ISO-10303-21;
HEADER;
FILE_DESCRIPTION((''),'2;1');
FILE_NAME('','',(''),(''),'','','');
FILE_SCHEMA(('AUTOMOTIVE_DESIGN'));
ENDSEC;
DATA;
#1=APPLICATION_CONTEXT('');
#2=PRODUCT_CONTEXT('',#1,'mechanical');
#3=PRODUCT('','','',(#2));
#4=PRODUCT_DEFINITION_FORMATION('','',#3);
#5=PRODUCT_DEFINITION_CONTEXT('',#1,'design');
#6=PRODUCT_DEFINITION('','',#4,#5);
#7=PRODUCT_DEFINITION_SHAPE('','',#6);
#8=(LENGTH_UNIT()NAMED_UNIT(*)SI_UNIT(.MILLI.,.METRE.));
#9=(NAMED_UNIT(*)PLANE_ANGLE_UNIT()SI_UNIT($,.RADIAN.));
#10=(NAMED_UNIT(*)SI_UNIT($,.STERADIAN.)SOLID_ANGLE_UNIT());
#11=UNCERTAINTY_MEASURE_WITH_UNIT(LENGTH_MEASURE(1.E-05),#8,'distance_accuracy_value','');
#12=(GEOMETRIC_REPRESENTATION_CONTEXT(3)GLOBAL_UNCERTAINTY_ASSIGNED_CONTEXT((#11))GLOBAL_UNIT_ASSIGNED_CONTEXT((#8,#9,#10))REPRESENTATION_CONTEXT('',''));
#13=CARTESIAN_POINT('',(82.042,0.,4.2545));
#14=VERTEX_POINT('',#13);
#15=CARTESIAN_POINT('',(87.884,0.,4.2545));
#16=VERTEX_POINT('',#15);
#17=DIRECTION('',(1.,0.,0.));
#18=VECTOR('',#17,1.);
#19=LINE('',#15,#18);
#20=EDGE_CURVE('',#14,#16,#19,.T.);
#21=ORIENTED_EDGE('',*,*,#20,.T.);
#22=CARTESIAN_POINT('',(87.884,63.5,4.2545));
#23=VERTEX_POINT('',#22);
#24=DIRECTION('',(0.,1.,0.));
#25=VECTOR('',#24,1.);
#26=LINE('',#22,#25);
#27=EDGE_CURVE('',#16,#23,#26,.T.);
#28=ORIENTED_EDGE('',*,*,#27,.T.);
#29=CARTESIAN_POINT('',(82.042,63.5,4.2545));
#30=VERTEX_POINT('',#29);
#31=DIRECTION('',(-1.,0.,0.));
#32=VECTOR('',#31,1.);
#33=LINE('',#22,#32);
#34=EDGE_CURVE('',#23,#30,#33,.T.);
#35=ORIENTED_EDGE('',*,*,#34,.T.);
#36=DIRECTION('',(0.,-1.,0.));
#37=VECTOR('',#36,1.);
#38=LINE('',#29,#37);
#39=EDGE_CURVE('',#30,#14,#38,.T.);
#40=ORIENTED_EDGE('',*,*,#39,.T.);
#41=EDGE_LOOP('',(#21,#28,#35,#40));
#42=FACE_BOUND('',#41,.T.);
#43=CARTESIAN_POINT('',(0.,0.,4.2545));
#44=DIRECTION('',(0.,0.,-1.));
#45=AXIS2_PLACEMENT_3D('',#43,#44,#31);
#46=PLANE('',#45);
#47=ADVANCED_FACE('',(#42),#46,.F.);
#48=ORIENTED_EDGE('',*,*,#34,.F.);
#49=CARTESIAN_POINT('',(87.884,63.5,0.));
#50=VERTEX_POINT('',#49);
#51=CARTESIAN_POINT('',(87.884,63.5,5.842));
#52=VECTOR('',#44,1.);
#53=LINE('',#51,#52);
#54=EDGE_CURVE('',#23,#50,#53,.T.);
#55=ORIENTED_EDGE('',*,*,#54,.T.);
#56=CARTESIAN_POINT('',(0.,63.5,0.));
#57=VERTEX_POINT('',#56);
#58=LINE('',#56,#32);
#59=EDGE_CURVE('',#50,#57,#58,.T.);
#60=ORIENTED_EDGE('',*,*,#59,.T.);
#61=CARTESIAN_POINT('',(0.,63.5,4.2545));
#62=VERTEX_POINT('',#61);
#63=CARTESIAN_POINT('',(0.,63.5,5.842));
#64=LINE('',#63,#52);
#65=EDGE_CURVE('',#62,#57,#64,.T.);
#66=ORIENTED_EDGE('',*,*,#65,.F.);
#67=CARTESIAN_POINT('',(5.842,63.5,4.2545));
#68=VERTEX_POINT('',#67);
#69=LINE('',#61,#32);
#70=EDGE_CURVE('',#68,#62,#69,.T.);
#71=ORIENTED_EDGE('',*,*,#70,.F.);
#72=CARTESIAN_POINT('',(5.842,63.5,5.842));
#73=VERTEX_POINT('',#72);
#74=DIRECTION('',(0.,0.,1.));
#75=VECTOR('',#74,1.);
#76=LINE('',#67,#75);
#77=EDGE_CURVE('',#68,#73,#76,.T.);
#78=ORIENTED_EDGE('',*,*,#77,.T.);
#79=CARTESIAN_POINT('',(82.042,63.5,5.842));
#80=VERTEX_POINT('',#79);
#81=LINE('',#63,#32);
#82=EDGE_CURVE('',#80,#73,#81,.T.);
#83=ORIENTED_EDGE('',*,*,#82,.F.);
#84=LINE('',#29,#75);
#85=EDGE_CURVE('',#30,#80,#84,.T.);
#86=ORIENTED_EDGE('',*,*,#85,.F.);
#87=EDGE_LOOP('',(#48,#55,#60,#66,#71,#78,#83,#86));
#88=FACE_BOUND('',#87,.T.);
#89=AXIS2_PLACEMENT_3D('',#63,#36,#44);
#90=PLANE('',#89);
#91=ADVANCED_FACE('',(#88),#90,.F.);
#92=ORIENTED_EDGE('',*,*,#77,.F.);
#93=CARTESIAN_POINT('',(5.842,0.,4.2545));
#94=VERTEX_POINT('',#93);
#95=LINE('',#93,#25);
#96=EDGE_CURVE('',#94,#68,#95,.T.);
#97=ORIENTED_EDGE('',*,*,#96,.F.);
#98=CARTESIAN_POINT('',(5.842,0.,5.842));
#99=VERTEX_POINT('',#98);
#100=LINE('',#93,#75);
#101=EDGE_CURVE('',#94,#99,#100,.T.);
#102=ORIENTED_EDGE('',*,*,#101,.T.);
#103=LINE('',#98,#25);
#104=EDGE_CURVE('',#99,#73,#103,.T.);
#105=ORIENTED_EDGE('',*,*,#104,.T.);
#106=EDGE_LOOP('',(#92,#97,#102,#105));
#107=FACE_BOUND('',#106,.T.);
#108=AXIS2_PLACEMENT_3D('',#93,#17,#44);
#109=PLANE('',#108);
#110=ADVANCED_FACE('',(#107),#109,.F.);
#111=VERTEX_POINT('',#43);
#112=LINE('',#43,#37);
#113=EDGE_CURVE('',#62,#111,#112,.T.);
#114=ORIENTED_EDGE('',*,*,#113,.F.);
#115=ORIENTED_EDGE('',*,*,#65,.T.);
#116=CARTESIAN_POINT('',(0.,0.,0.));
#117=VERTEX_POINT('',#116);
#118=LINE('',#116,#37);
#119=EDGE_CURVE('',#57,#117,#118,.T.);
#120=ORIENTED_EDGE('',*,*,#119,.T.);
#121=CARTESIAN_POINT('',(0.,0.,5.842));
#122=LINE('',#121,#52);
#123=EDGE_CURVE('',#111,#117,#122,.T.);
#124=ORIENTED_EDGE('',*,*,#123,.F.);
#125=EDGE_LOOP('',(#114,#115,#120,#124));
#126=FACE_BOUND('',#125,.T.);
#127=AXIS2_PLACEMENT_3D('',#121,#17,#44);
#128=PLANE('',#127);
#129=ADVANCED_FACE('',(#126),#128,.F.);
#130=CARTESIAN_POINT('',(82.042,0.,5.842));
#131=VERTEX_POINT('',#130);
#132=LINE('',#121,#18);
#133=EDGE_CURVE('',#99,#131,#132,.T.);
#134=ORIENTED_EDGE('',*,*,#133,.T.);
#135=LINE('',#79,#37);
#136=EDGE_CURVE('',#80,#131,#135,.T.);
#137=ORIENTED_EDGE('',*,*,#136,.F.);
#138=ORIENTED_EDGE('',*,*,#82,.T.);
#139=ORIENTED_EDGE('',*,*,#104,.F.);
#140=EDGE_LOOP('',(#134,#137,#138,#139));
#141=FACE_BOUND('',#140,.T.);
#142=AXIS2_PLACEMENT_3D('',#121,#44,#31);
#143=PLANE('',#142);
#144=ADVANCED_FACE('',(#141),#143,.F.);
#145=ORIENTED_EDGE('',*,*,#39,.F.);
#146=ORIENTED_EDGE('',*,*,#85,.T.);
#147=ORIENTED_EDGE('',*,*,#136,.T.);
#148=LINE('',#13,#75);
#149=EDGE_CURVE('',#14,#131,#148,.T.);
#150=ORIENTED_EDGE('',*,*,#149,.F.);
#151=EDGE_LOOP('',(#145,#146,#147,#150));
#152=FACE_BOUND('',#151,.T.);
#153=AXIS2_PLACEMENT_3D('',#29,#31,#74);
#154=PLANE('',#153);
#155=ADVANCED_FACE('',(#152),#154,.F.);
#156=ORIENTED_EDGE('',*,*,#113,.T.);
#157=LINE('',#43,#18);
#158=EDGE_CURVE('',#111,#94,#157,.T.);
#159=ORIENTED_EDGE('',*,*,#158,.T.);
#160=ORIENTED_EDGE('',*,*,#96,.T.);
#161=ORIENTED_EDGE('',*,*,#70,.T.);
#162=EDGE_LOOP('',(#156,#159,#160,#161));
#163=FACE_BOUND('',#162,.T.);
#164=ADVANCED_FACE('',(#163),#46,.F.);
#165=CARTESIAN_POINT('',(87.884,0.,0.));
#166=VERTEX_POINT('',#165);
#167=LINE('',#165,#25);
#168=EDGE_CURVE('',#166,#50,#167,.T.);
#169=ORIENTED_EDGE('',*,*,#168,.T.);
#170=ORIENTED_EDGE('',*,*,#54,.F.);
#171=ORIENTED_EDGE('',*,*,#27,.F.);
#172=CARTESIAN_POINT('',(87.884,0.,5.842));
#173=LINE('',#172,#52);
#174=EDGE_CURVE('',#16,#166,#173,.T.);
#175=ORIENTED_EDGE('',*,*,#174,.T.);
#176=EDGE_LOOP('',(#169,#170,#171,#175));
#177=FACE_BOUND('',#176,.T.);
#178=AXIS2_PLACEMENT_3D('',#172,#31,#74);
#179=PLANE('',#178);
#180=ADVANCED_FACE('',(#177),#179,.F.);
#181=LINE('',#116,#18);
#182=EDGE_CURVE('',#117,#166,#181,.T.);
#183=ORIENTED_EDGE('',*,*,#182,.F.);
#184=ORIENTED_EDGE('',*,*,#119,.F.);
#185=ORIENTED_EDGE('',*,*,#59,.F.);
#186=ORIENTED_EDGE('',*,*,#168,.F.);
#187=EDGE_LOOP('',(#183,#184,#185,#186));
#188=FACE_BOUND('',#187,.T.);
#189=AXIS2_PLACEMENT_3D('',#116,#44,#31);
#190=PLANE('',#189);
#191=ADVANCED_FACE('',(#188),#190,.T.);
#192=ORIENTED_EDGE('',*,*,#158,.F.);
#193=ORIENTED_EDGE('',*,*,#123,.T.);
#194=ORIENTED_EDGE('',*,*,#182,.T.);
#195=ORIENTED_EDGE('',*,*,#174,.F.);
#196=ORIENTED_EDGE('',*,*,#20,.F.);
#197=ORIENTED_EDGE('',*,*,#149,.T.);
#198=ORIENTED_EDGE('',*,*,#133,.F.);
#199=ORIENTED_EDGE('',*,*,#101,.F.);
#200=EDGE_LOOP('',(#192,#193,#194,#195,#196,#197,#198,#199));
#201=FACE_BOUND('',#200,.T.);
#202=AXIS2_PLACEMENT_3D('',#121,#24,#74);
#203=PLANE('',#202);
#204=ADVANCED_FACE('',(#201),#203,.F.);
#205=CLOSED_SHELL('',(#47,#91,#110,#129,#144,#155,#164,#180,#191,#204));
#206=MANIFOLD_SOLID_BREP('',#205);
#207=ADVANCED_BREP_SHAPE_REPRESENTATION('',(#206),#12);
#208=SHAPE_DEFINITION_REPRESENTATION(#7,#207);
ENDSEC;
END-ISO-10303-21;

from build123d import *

# Parameters (mm, degrees)
SKETCH1_W           = 87.884
SKETCH1_H           = 63.5
BOSS_EXTRUDE1_DEPTH = 5.842
SKETCH2_W           = 5.842
SKETCH2_H           = 63.5
CUT_EXTRUDE1_DEPTH  = 1.5875


with BuildPart() as part:
    # Sketch1 → Boss-Extrude1 (new body)
    with BuildSketch(Plane.XY):
        with Locations((43.942, 31.75)):
            Rectangle(SKETCH1_W, SKETCH1_H)
    extrude(amount=BOSS_EXTRUDE1_DEPTH)

    # Sketch2 → Cut-Extrude1 (cut)
    with BuildSketch(Plane.XY.offset(5.842)):
        with Locations((2.921, 31.75)):
            Rectangle(SKETCH2_W, SKETCH2_H)
        with Locations((84.963, 31.75)):
            Rectangle(SKETCH2_W, SKETCH2_H)
    extrude(amount=-CUT_EXTRUDE1_DEPTH, mode=Mode.SUBTRACT)


solid = part.part
